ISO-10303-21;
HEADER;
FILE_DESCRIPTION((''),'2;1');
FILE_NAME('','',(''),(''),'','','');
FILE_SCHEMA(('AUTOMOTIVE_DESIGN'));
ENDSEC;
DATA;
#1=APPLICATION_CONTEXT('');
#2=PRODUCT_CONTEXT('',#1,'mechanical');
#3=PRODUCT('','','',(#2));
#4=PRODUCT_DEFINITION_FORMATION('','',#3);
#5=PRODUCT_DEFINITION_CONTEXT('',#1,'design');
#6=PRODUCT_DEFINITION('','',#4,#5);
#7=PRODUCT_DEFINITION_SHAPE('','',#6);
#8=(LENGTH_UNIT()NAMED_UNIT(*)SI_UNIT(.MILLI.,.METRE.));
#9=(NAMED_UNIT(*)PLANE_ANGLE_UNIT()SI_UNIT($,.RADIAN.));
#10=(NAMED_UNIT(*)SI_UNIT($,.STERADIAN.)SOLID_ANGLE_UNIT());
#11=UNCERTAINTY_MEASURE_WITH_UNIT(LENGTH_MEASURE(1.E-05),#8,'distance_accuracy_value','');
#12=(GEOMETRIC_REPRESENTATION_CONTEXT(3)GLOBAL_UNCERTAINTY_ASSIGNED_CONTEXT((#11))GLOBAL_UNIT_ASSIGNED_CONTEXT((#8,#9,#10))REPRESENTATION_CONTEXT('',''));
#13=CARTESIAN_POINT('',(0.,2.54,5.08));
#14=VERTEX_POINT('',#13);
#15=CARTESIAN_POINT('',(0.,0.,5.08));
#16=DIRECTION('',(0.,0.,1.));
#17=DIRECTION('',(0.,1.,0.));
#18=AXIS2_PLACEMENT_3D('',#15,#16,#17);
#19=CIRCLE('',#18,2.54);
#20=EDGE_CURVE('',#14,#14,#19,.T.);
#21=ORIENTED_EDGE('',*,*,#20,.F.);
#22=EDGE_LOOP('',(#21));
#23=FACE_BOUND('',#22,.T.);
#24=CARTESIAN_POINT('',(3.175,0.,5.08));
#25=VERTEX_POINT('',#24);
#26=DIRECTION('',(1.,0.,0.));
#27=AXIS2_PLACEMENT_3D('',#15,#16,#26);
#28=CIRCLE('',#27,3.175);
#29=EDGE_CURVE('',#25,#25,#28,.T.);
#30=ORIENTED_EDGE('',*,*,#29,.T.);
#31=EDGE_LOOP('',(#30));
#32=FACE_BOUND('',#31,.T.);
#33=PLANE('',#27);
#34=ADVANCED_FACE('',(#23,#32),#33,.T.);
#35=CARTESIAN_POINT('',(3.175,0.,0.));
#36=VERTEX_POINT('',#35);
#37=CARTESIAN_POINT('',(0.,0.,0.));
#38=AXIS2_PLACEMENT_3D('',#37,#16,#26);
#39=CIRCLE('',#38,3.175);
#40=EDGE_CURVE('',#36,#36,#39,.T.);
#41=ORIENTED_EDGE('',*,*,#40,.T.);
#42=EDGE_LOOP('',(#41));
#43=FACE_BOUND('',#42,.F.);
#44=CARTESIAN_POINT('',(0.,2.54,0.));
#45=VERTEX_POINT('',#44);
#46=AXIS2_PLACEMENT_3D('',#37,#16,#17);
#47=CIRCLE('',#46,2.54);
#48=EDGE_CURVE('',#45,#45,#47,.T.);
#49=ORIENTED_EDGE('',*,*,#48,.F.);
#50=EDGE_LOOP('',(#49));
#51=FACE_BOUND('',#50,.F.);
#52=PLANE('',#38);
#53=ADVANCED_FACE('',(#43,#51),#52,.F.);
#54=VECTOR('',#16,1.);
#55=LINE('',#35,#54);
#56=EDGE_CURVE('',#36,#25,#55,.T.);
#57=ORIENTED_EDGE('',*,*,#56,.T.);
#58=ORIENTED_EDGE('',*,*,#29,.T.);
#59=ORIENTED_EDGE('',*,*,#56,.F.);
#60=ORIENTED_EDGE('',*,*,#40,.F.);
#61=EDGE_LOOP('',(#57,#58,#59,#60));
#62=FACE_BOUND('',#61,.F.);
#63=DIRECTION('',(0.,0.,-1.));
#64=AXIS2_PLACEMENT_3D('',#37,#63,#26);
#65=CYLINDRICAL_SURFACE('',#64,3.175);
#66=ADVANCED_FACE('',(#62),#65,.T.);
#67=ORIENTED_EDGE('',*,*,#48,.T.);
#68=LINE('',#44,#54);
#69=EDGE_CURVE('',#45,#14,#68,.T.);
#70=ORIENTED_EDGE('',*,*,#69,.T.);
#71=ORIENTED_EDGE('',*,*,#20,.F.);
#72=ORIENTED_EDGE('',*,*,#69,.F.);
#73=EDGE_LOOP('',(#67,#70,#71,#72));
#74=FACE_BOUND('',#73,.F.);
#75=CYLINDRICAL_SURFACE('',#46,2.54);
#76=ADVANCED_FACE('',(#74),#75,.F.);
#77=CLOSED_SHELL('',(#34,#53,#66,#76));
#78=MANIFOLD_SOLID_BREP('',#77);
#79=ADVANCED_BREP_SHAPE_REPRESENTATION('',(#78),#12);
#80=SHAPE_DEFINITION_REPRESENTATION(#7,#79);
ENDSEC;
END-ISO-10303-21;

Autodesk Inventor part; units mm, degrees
ref_plane "YZ Plane" through (0, 0, 0) normal (1, 0, 0) x (0, 1, 0)
ref_plane "XZ Plane" through (0, 0, 0) normal (0, 1, 0) x (-1, 0, 0)
ref_plane "XY Plane" through (0, 0, 0) normal (0, 0, 1) x (1, 0, 0)
sketch "Sketch1" plane through (0, 0, 0) normal (0, 0, 1) x (1, 0, 0)
  circle A0 centre (0, 0) radius 3.175
  dimension "d0" = 6.35
extrude "Extrusion1" add sketch "Sketch1" along normal blind 5.08
hole "Hole1" at (0, 0, 0) direction (0, 0, 1) diameter 5.08 end through all
properties part number "Jig_Aligner_Ring"
